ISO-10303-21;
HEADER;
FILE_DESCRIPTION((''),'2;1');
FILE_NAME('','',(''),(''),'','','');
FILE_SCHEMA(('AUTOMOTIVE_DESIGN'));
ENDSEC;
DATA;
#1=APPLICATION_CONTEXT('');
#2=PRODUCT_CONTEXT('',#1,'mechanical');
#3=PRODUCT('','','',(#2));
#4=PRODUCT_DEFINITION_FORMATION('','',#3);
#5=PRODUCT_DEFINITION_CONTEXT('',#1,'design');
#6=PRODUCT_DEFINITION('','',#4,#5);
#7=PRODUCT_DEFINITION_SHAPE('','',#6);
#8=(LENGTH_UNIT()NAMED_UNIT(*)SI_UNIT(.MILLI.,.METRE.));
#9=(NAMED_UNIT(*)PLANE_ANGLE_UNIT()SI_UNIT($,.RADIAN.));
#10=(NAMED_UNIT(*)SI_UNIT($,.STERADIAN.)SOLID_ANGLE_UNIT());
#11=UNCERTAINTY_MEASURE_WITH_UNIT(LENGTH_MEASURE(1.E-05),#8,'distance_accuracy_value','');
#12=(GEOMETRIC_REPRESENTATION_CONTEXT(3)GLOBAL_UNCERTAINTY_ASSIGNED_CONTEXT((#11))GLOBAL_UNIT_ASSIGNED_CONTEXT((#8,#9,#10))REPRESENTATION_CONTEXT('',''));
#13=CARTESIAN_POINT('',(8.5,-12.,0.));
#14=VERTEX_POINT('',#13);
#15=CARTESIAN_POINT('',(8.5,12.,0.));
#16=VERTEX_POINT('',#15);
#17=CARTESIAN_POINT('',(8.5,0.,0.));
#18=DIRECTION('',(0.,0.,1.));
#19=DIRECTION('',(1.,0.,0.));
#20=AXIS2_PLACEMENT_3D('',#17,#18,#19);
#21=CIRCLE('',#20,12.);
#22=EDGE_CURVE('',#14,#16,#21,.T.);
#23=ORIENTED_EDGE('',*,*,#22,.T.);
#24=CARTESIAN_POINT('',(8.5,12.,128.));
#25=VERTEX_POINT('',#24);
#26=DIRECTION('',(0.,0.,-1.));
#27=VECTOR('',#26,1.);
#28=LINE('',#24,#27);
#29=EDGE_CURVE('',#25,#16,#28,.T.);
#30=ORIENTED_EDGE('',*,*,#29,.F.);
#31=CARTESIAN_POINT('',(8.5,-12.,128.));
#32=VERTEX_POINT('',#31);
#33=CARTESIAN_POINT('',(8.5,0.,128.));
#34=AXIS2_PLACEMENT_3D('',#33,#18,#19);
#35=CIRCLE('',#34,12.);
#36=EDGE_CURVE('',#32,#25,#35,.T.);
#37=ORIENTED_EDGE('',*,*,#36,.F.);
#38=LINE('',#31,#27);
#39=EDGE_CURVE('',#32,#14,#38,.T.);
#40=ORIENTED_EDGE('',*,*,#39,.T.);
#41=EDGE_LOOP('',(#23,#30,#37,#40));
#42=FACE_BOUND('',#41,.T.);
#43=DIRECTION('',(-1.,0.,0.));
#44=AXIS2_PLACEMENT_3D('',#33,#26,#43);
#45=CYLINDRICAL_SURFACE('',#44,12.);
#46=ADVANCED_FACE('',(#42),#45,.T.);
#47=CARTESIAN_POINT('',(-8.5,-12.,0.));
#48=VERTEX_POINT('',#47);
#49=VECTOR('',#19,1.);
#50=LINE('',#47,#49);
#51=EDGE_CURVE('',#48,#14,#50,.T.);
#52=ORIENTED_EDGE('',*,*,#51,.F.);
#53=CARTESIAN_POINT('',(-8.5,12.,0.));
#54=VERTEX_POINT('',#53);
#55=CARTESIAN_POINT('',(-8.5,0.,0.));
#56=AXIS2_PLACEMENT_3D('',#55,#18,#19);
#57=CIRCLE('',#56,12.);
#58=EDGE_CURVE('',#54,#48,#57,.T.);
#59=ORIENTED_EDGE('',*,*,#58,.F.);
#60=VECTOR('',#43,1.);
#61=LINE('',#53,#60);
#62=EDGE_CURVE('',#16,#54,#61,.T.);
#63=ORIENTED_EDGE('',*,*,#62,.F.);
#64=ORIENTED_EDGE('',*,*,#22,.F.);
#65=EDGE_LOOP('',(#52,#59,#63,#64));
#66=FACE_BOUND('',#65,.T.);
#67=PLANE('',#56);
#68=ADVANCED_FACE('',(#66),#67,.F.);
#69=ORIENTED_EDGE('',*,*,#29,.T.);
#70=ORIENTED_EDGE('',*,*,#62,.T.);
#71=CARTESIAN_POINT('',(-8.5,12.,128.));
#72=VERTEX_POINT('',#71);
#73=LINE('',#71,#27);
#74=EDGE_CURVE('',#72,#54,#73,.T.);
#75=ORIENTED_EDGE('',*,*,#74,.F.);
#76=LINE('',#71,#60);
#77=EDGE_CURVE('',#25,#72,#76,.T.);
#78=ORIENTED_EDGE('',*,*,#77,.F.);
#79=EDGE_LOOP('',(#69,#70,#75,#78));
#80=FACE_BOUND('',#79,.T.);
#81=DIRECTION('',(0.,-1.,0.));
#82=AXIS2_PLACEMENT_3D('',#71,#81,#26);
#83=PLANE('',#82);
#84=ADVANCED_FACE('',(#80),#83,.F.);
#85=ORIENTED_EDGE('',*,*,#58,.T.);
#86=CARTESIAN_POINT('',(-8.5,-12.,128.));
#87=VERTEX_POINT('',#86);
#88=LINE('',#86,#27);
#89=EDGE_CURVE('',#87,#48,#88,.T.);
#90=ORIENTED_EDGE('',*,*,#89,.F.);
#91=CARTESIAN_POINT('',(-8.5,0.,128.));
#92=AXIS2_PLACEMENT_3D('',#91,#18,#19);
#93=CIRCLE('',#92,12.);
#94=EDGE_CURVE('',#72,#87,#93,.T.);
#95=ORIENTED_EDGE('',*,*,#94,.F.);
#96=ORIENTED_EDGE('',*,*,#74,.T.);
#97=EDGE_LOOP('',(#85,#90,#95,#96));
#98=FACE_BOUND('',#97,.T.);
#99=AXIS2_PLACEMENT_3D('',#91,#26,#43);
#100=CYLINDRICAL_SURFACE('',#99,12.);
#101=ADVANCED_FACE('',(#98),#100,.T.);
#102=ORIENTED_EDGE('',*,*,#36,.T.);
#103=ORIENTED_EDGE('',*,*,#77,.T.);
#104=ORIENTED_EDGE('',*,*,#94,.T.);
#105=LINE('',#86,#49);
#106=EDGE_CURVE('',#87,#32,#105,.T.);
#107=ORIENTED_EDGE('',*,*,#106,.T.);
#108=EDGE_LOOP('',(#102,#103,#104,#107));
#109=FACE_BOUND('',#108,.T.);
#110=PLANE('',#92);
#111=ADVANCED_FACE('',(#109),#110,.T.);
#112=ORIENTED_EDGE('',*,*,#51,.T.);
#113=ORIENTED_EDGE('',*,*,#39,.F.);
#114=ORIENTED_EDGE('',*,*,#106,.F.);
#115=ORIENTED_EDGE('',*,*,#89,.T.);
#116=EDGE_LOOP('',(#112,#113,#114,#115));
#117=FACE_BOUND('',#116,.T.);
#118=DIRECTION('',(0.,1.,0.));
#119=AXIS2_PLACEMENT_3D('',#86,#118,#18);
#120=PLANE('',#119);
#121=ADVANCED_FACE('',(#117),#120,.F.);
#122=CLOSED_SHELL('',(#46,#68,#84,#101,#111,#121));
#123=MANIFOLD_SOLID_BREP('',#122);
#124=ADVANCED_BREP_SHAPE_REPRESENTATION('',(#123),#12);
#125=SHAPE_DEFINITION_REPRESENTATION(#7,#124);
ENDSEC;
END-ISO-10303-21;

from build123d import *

# Parameters (mm, degrees)
AUFSATZ_LINEAR_AUSTRAGEN1_DEPTH = 128


with BuildPart() as part:
    # Skizze1 → Aufsatz-Linear austragen1 (new body)
    with BuildSketch(Plane.XY):
        with BuildLine():
            Line((-8.5, 12), (8.5, 12))
            ThreePointArc((8.5, 12), (20.5, 0), (8.5, -12))
            Line((8.5, -12), (-8.5, -12))
            ThreePointArc((-8.5, -12), (-20.5, 0), (-8.5, 12))
        make_face()
    extrude(amount=AUFSATZ_LINEAR_AUSTRAGEN1_DEPTH)


solid = part.part
